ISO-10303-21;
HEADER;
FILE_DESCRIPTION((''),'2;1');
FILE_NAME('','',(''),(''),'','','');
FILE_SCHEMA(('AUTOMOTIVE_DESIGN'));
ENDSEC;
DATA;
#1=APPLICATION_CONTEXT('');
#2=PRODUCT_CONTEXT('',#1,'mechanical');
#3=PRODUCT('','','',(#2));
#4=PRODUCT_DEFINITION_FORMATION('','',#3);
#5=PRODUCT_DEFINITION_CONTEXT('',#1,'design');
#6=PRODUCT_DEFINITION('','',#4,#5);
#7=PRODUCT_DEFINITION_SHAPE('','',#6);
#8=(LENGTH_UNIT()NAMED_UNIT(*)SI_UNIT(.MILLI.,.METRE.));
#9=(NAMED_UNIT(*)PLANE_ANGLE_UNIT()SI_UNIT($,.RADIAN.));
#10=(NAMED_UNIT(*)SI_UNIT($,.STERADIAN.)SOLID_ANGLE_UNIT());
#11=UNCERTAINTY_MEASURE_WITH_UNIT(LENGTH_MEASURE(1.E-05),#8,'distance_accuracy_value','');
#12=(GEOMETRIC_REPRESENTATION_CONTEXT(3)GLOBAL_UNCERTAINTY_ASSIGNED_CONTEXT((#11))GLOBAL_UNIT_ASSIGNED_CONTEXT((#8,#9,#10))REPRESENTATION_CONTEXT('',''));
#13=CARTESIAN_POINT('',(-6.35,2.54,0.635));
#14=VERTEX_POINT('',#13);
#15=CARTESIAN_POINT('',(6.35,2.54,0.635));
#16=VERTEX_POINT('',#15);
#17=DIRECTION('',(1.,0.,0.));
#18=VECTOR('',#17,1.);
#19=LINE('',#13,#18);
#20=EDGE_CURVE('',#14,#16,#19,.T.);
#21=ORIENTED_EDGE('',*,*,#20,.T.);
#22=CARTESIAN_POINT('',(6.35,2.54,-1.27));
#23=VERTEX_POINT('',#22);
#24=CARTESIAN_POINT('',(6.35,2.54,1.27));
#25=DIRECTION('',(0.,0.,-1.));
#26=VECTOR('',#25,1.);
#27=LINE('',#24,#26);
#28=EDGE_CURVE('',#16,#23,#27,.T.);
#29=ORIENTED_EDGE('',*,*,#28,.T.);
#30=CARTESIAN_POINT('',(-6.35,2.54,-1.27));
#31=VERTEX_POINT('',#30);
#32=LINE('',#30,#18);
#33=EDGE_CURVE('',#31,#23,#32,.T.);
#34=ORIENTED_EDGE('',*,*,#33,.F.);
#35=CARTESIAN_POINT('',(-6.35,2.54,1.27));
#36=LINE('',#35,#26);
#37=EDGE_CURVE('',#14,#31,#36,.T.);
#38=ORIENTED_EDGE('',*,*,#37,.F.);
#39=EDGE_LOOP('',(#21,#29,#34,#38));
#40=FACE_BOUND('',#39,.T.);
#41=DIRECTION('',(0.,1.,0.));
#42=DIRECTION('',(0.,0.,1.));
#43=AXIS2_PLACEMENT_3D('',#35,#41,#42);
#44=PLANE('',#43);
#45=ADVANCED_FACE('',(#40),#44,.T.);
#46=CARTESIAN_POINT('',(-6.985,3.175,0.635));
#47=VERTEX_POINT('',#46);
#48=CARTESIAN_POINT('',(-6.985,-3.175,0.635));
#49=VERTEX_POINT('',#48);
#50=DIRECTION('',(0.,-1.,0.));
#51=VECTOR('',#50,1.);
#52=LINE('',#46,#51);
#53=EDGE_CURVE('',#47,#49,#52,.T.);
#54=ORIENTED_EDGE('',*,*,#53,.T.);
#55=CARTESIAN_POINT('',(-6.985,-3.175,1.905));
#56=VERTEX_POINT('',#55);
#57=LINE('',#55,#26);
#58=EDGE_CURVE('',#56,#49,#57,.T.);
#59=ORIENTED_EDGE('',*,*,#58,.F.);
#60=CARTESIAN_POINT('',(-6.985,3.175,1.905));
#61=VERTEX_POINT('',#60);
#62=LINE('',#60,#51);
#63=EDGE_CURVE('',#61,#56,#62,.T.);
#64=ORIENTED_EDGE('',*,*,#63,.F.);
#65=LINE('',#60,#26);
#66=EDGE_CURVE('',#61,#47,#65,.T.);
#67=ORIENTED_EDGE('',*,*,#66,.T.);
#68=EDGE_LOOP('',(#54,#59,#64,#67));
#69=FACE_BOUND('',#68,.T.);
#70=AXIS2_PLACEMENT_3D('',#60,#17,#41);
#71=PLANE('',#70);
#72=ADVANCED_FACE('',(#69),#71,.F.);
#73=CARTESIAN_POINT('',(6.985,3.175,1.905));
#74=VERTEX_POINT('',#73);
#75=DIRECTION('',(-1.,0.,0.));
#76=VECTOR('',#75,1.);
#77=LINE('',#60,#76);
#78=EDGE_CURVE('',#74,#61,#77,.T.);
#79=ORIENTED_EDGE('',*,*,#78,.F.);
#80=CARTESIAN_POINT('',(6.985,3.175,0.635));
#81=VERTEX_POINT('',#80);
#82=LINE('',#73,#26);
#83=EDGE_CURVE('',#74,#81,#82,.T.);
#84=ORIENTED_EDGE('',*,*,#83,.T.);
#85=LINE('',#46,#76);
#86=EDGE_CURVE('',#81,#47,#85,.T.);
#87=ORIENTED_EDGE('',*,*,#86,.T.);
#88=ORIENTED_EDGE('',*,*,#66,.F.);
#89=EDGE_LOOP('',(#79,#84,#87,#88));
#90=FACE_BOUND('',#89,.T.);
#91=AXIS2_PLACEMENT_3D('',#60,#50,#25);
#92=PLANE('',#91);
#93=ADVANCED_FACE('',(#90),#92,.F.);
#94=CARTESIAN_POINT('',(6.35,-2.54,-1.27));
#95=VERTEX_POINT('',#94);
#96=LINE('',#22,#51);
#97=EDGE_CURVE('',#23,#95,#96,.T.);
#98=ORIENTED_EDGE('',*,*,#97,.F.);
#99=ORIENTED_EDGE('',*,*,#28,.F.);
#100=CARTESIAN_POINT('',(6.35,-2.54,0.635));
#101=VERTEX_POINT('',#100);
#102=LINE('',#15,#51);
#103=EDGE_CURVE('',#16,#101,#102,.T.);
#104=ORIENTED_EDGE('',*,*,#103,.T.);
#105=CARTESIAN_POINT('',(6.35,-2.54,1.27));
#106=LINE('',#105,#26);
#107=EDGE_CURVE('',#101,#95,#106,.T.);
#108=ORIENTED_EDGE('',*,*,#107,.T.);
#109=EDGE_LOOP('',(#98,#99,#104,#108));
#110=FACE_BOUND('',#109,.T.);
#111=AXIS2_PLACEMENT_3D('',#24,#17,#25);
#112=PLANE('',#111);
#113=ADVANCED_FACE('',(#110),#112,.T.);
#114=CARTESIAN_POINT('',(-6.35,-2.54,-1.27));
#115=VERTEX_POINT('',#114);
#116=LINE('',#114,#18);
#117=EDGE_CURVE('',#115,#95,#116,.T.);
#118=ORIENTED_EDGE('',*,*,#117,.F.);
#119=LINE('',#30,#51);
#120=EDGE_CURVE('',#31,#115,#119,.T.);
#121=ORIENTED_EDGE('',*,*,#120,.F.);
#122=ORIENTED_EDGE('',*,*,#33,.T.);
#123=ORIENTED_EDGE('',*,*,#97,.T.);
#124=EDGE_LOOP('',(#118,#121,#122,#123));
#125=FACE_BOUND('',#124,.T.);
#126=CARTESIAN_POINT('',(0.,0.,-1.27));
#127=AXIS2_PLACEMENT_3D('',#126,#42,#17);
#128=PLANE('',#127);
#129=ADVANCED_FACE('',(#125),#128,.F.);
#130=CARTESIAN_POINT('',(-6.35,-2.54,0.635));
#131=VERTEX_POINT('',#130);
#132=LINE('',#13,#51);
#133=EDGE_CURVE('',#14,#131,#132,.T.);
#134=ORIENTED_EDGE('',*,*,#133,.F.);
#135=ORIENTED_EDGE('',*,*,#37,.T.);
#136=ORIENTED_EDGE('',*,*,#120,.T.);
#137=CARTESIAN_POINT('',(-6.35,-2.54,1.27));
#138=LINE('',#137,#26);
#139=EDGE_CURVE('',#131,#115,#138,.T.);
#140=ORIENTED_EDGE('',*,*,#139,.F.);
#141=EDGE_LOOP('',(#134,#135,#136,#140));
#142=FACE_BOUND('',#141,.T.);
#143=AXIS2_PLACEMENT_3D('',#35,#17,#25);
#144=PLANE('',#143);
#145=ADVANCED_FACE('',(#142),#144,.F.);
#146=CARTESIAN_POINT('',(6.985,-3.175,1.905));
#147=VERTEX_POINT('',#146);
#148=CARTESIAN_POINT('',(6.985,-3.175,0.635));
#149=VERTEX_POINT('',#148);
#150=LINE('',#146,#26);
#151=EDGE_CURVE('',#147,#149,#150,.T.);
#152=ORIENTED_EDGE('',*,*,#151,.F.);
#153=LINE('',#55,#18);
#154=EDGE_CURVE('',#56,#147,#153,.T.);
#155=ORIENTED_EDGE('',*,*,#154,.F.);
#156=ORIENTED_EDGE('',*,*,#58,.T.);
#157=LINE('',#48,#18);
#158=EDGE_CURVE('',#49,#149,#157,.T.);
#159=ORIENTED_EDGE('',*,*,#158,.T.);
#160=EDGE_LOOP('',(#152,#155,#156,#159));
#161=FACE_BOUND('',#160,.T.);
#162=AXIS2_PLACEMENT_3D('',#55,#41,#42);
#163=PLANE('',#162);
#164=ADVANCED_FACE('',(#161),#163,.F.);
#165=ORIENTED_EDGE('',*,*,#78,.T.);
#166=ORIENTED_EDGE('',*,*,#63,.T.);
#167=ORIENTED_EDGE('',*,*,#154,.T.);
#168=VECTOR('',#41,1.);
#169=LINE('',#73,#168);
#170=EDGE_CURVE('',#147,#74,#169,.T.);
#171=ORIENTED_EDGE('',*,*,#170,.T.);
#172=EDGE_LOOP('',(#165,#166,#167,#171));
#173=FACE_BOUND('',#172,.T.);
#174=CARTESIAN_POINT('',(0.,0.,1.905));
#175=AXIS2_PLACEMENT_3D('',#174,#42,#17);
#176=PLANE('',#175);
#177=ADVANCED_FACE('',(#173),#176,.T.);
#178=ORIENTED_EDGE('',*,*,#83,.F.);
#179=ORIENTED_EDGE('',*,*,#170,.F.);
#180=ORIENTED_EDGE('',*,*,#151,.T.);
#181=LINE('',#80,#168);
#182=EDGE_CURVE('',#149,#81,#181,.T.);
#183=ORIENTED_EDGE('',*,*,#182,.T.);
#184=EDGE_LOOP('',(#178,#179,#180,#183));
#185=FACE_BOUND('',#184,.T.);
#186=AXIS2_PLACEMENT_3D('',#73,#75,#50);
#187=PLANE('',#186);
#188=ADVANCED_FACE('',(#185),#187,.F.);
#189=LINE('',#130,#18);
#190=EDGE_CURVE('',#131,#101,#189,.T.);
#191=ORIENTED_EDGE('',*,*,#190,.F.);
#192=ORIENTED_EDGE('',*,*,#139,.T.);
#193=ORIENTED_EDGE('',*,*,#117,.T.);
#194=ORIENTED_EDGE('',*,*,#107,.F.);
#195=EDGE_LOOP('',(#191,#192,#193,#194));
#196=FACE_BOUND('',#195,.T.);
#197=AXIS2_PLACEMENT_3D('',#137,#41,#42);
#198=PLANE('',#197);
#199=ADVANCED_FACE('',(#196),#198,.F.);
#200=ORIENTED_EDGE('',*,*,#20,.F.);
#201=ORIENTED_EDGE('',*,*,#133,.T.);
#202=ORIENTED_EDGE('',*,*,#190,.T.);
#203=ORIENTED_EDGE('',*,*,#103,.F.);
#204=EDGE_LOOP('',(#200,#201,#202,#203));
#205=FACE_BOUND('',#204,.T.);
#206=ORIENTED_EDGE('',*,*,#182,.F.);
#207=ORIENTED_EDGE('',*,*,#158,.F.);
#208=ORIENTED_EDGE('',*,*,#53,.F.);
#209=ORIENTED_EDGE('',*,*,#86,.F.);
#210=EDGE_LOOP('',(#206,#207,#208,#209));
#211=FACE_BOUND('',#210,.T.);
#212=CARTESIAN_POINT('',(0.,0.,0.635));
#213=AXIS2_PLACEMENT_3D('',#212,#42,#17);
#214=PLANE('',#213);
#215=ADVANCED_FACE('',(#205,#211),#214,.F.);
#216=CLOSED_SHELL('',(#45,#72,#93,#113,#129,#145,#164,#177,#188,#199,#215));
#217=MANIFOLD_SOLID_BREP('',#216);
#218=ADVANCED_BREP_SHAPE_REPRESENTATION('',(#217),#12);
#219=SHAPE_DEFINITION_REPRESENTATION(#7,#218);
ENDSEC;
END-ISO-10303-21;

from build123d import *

# Parameters (mm, degrees)
SKETCH1_W           = 12.7
SKETCH1_H           = 5.08
BOSS_EXTRUDE1_DEPTH = 1.27
SKETCH2_W           = 13.97
SKETCH2_H           = 6.35
BOSS_EXTRUDE2_DEPTH = 0.635


with BuildPart() as part:
    # Sketch1 → Boss-Extrude1 (new, symmetric)
    with BuildSketch(Plane.XY):
        Rectangle(SKETCH1_W, SKETCH1_H)
    extrude(amount=BOSS_EXTRUDE1_DEPTH, both=True)

    # Sketch2 → Boss-Extrude2 (add, symmetric)
    with BuildSketch(Plane.XY.offset(1.27)):
        Rectangle(SKETCH2_W, SKETCH2_H)
    extrude(amount=BOSS_EXTRUDE2_DEPTH, both=True)


solid = part.part
